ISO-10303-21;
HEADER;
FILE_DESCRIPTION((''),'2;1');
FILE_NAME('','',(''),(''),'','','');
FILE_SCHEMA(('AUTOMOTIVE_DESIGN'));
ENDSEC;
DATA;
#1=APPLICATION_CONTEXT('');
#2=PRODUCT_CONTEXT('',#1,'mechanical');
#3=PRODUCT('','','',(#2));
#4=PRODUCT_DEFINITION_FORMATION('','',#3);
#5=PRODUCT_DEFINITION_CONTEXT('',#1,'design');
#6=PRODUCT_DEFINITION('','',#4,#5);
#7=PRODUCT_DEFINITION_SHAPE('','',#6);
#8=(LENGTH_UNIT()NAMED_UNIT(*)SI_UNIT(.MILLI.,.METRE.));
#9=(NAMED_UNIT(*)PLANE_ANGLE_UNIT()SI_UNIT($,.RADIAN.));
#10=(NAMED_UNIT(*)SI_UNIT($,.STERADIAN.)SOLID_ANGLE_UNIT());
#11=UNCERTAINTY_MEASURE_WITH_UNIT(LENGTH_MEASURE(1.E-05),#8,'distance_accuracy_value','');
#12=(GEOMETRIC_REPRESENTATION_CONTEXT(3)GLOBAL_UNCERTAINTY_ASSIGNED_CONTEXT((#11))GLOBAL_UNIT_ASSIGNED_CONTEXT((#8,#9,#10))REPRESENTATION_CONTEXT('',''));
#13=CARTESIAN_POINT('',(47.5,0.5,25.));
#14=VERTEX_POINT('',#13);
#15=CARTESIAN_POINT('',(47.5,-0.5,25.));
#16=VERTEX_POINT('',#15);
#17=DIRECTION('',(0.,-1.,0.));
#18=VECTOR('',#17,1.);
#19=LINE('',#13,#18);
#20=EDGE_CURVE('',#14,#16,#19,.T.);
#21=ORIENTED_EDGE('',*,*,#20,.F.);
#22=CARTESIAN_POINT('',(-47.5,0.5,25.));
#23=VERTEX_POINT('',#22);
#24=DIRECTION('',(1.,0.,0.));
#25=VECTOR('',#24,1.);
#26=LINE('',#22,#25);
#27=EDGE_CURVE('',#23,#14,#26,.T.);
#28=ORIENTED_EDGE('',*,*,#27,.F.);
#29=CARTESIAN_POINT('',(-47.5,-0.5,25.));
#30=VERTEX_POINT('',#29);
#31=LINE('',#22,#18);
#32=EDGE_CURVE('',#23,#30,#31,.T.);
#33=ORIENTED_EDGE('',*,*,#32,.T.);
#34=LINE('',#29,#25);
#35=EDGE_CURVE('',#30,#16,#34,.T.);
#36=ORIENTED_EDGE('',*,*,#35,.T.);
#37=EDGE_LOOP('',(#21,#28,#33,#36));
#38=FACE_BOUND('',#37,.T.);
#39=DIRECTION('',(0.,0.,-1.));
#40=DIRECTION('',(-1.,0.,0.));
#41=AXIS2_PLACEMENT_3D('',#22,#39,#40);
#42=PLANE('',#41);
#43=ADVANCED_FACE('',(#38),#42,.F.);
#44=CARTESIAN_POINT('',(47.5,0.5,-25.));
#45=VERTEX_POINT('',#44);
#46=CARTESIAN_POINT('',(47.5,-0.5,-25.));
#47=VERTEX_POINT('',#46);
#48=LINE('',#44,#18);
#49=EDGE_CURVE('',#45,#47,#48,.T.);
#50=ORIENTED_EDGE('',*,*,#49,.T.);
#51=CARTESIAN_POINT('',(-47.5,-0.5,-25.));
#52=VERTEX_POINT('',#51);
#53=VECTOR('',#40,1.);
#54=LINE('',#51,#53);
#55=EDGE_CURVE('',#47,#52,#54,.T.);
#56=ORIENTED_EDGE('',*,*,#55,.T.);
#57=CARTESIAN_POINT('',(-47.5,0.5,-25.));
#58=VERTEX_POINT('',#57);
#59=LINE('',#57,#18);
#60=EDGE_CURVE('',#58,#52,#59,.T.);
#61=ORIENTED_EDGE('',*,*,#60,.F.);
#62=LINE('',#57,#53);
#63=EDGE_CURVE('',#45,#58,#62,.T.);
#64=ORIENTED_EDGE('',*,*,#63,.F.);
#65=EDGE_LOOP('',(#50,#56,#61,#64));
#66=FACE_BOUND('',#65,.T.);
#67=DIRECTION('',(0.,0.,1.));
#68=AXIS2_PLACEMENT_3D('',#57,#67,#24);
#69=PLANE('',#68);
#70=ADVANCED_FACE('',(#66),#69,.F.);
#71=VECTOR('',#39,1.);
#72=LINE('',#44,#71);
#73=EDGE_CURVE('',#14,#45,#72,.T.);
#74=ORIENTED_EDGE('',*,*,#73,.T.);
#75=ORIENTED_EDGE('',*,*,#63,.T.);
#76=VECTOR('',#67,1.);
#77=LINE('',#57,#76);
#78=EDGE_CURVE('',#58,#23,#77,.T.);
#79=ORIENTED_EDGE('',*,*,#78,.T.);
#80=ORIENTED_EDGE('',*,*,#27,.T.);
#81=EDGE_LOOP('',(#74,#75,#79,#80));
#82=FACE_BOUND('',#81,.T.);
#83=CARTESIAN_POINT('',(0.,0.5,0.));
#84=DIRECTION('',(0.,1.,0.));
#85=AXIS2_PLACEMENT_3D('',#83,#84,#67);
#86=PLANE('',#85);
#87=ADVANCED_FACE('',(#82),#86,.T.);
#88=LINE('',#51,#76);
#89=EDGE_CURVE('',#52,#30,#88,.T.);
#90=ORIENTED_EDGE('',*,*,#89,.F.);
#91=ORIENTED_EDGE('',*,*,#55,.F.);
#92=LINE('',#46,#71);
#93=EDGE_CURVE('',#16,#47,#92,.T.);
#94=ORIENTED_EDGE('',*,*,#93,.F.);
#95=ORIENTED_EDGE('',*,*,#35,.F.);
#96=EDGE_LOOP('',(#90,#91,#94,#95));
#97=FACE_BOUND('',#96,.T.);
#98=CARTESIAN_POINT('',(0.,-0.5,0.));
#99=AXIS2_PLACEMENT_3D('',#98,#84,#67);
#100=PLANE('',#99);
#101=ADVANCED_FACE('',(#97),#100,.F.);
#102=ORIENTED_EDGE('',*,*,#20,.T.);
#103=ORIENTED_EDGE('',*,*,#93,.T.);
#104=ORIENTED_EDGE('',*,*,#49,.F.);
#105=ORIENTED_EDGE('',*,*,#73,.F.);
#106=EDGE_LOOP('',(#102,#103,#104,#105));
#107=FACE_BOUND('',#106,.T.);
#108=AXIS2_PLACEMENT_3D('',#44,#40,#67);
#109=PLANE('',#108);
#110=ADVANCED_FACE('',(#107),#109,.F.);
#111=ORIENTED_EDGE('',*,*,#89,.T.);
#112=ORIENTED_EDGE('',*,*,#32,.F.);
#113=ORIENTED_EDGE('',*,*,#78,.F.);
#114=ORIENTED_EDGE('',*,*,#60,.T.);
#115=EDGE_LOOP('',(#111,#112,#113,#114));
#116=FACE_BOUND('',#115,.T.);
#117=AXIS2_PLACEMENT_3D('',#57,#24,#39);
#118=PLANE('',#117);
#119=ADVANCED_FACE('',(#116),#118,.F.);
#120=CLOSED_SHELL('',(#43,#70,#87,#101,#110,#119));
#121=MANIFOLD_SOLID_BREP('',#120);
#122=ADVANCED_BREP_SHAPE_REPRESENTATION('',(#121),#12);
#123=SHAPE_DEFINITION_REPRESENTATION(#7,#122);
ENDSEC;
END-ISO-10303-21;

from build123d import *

# Parameters (mm, degrees)
SKETCH1_W           = 95
SKETCH1_H           = 50
BOSS_EXTRUDE1_DEPTH = 0.5


with BuildPart() as part:
    # Sketch1 → Boss-Extrude1 (new body, symmetric)
    with BuildSketch(Plane(origin=(0, 0, 0), x_dir=(1, 0, 0), z_dir=(0, 1, 0))):
        Rectangle(SKETCH1_W, SKETCH1_H)
    extrude(amount=BOSS_EXTRUDE1_DEPTH, both=True)


solid = part.part
